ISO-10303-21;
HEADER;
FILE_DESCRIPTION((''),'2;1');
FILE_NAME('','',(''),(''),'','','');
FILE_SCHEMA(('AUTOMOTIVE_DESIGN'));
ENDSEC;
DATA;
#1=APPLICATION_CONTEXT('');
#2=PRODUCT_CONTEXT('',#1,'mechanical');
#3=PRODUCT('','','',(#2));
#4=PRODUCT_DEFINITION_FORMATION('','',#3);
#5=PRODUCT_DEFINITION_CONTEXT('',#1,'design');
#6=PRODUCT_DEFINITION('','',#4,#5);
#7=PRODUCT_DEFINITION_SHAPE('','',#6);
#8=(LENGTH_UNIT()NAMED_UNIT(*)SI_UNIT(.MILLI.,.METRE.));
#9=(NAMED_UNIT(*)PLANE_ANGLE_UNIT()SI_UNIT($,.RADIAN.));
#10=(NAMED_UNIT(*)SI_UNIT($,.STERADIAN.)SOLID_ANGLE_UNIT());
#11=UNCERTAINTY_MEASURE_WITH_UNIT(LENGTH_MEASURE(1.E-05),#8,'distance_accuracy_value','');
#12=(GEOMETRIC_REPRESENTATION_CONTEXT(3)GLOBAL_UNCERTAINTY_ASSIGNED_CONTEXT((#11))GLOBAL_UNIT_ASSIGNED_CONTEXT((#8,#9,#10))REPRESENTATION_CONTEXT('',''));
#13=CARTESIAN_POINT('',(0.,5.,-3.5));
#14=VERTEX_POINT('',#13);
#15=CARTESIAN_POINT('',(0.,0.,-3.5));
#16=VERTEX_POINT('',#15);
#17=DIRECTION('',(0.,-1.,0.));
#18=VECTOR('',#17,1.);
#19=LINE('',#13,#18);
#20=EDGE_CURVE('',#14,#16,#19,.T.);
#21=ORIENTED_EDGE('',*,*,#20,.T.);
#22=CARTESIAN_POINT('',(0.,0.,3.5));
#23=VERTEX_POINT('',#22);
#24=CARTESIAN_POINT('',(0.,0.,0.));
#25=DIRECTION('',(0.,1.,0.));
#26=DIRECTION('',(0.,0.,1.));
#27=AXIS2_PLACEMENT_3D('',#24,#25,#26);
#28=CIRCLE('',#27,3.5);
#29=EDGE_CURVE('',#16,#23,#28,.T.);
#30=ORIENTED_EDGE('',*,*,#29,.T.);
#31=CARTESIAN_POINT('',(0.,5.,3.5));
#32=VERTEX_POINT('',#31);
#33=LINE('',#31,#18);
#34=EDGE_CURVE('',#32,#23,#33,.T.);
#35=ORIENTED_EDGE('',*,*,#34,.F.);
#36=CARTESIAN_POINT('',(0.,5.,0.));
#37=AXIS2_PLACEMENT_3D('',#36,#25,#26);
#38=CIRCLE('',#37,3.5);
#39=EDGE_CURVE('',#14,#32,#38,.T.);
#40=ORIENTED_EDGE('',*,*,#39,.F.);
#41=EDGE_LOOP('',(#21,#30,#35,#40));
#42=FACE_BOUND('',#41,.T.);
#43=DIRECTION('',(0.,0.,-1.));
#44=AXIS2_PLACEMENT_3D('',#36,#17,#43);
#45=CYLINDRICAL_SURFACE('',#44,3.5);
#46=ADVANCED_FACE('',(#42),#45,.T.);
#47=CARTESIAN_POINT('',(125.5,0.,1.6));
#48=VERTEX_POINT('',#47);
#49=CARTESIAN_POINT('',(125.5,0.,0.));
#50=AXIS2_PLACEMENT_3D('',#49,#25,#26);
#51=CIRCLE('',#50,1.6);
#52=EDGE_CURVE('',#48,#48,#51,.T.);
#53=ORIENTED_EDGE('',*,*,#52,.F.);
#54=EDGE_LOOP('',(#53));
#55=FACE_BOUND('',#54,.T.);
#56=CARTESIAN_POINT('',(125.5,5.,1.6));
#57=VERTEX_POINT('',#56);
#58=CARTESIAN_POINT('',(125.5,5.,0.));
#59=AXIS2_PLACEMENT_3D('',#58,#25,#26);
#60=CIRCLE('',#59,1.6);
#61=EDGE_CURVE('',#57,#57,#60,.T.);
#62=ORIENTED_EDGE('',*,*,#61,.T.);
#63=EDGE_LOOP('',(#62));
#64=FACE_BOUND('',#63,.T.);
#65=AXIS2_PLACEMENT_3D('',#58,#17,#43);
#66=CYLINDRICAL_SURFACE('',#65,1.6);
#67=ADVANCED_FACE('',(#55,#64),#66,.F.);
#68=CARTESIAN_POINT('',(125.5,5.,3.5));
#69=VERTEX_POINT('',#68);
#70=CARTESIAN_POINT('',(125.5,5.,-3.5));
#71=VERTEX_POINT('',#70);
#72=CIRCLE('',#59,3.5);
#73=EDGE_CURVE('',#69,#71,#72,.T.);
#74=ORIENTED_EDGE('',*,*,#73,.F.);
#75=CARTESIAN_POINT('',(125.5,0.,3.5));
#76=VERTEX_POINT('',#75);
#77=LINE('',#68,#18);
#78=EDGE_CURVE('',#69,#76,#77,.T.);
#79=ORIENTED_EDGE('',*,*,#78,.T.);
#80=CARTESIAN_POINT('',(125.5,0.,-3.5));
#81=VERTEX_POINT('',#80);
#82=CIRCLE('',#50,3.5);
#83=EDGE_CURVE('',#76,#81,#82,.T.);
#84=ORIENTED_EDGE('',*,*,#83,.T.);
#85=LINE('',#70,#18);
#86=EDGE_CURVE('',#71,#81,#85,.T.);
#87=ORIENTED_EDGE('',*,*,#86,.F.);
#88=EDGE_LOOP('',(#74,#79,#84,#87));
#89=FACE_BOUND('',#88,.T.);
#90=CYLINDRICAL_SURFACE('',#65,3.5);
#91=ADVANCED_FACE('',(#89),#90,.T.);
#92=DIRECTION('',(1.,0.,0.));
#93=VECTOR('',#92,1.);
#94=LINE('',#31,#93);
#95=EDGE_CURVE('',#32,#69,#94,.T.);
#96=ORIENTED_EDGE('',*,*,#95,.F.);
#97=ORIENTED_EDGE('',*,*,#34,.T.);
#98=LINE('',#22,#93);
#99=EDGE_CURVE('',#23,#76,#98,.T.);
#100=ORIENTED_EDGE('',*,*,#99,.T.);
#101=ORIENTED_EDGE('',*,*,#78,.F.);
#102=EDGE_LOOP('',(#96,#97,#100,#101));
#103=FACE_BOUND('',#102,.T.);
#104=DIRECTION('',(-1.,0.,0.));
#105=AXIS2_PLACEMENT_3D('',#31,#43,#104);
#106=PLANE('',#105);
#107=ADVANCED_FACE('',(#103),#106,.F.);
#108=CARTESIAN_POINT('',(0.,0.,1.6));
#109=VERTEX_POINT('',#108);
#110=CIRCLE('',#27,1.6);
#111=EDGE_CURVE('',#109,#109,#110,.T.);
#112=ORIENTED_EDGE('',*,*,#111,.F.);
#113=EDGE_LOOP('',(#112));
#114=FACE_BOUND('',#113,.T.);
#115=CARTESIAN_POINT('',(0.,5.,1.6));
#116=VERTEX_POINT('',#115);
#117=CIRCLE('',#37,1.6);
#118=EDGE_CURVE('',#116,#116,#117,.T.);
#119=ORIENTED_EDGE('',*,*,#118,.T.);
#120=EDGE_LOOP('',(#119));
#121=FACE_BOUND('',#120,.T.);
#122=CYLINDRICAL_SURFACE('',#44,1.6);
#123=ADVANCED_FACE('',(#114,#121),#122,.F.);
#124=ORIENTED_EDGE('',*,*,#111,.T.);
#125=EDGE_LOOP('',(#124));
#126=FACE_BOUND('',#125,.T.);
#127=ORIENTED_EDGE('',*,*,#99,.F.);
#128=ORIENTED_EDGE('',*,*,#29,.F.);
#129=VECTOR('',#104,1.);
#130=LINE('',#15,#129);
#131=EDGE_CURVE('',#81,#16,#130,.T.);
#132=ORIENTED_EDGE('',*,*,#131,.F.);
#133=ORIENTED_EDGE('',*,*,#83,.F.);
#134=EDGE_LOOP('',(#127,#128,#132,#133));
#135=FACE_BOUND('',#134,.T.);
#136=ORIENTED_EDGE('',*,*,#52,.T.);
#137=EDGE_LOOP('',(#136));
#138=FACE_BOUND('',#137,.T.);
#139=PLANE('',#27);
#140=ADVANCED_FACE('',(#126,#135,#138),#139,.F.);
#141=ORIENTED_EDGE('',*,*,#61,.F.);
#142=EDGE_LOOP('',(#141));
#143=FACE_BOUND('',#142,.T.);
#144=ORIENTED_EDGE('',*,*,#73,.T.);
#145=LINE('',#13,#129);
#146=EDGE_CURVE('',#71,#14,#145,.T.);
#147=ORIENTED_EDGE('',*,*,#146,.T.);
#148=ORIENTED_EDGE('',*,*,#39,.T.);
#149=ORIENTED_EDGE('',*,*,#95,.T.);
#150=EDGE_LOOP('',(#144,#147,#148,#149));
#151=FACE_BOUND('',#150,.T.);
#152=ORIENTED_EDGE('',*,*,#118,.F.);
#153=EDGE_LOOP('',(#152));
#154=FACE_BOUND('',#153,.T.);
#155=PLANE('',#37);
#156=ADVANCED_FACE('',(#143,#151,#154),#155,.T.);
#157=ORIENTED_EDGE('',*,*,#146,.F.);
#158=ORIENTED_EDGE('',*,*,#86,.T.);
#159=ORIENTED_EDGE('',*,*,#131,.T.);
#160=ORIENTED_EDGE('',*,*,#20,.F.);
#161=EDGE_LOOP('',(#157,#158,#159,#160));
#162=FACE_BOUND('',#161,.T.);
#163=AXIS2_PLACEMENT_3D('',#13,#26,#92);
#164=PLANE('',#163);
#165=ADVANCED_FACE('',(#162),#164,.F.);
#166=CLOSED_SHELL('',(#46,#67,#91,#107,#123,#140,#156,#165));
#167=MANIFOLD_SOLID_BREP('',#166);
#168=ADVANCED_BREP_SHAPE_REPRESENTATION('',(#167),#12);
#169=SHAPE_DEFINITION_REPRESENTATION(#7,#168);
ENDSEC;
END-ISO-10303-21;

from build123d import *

# Parameters (mm, degrees)
SKETCH1_R           = 1.6
BOSS_EXTRUDE1_DEPTH = 5


with BuildPart() as part:
    # Sketch1 → Boss-Extrude1 (new body)
    with BuildSketch(Plane(origin=(0, 0, 0), x_dir=(1, 0, 0), z_dir=(0, 1, 0))):
        with BuildLine():
            Line((0, 3.5), (125.5, 3.5))
            ThreePointArc((125.5, 3.5), (129, 0), (125.5, -3.5))
            Line((125.5, -3.5), (0, -3.5))
            ThreePointArc((0, -3.5), (-3.5, 0), (0, 3.5))
        make_face()
        Circle(SKETCH1_R, mode=Mode.SUBTRACT)
        with Locations((125.5, 0)):
            Circle(SKETCH1_R, mode=Mode.SUBTRACT)
    extrude(amount=BOSS_EXTRUDE1_DEPTH)


solid = part.part
